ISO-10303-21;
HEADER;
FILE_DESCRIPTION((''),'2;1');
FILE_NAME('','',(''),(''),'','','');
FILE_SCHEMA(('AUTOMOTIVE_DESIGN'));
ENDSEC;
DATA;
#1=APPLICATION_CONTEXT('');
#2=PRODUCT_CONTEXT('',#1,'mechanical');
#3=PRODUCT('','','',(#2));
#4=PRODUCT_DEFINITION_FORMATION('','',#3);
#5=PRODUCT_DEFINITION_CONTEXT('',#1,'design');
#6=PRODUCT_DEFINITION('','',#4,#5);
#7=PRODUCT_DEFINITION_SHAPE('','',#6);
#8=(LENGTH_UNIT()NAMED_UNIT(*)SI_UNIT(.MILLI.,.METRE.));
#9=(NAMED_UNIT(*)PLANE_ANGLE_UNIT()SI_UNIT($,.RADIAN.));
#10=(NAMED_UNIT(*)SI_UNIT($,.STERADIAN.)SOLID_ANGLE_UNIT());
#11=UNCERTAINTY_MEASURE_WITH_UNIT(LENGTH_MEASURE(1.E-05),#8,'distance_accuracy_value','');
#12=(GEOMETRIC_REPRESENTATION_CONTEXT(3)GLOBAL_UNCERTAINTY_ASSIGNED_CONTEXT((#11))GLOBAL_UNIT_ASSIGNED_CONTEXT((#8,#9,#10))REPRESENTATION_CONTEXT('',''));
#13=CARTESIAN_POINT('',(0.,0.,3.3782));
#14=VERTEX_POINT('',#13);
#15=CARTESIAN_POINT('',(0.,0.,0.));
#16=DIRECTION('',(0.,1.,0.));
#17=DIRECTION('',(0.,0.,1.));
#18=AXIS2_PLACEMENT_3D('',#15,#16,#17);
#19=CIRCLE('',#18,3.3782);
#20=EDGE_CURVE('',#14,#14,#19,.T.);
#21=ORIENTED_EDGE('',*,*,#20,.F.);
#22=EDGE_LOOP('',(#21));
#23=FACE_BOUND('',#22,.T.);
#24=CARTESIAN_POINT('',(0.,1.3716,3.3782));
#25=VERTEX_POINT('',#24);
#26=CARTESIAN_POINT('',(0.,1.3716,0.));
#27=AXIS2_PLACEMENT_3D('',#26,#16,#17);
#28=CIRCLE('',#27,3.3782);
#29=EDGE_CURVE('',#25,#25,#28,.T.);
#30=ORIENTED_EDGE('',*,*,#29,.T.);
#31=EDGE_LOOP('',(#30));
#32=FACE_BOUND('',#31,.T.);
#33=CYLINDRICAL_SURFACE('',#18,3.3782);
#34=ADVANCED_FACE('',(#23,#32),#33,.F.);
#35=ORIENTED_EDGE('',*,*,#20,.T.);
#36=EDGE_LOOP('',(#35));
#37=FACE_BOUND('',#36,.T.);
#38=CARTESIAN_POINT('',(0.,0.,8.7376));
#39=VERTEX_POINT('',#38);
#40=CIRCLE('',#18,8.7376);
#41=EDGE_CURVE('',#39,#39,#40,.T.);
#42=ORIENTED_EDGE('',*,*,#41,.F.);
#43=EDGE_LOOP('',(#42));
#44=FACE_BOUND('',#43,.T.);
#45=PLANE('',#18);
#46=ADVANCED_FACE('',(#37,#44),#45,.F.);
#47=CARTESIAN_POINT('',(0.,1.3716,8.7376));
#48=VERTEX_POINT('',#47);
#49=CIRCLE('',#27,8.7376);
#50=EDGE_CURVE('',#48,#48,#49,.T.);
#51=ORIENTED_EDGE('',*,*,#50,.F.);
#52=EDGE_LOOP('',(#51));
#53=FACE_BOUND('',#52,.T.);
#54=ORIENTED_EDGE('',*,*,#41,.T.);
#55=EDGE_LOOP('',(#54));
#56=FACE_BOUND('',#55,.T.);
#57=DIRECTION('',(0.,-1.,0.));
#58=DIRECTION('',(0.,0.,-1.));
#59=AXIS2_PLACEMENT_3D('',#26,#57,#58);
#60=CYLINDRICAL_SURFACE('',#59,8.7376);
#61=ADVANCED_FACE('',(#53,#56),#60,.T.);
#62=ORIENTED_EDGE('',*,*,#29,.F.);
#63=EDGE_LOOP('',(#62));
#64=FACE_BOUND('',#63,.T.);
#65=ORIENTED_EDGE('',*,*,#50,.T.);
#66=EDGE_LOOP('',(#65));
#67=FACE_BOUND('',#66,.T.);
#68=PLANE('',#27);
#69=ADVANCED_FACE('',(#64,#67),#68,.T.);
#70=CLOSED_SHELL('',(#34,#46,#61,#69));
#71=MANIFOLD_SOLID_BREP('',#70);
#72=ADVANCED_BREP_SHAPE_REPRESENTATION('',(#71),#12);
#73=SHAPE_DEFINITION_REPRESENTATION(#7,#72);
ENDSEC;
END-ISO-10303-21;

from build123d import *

# Parameters (mm, degrees)
SKETCH1_R           = 8.7376
BOSS_EXTRUDE1_DEPTH = 1.3716
SKETCH5_R           = 3.3782
CUT_EXTRUDE1_DEPTH  = 2.3716


with BuildPart() as part:
    # Sketch1 → Boss-Extrude1 (new body)
    with BuildSketch(Plane(origin=(0, 0, 0), x_dir=(1, 0, 0), z_dir=(0, 1, 0))):
        Circle(SKETCH1_R)
    extrude(amount=BOSS_EXTRUDE1_DEPTH)

    # Sketch5 → Cut-Extrude1 (cut, through all)
    with BuildSketch(Plane(origin=(0, 1.3716, 0), x_dir=(-1, 0, 0), z_dir=(0, 1, 0))):
        Circle(SKETCH5_R)
    extrude(amount=-CUT_EXTRUDE1_DEPTH, mode=Mode.SUBTRACT)


solid = part.part
